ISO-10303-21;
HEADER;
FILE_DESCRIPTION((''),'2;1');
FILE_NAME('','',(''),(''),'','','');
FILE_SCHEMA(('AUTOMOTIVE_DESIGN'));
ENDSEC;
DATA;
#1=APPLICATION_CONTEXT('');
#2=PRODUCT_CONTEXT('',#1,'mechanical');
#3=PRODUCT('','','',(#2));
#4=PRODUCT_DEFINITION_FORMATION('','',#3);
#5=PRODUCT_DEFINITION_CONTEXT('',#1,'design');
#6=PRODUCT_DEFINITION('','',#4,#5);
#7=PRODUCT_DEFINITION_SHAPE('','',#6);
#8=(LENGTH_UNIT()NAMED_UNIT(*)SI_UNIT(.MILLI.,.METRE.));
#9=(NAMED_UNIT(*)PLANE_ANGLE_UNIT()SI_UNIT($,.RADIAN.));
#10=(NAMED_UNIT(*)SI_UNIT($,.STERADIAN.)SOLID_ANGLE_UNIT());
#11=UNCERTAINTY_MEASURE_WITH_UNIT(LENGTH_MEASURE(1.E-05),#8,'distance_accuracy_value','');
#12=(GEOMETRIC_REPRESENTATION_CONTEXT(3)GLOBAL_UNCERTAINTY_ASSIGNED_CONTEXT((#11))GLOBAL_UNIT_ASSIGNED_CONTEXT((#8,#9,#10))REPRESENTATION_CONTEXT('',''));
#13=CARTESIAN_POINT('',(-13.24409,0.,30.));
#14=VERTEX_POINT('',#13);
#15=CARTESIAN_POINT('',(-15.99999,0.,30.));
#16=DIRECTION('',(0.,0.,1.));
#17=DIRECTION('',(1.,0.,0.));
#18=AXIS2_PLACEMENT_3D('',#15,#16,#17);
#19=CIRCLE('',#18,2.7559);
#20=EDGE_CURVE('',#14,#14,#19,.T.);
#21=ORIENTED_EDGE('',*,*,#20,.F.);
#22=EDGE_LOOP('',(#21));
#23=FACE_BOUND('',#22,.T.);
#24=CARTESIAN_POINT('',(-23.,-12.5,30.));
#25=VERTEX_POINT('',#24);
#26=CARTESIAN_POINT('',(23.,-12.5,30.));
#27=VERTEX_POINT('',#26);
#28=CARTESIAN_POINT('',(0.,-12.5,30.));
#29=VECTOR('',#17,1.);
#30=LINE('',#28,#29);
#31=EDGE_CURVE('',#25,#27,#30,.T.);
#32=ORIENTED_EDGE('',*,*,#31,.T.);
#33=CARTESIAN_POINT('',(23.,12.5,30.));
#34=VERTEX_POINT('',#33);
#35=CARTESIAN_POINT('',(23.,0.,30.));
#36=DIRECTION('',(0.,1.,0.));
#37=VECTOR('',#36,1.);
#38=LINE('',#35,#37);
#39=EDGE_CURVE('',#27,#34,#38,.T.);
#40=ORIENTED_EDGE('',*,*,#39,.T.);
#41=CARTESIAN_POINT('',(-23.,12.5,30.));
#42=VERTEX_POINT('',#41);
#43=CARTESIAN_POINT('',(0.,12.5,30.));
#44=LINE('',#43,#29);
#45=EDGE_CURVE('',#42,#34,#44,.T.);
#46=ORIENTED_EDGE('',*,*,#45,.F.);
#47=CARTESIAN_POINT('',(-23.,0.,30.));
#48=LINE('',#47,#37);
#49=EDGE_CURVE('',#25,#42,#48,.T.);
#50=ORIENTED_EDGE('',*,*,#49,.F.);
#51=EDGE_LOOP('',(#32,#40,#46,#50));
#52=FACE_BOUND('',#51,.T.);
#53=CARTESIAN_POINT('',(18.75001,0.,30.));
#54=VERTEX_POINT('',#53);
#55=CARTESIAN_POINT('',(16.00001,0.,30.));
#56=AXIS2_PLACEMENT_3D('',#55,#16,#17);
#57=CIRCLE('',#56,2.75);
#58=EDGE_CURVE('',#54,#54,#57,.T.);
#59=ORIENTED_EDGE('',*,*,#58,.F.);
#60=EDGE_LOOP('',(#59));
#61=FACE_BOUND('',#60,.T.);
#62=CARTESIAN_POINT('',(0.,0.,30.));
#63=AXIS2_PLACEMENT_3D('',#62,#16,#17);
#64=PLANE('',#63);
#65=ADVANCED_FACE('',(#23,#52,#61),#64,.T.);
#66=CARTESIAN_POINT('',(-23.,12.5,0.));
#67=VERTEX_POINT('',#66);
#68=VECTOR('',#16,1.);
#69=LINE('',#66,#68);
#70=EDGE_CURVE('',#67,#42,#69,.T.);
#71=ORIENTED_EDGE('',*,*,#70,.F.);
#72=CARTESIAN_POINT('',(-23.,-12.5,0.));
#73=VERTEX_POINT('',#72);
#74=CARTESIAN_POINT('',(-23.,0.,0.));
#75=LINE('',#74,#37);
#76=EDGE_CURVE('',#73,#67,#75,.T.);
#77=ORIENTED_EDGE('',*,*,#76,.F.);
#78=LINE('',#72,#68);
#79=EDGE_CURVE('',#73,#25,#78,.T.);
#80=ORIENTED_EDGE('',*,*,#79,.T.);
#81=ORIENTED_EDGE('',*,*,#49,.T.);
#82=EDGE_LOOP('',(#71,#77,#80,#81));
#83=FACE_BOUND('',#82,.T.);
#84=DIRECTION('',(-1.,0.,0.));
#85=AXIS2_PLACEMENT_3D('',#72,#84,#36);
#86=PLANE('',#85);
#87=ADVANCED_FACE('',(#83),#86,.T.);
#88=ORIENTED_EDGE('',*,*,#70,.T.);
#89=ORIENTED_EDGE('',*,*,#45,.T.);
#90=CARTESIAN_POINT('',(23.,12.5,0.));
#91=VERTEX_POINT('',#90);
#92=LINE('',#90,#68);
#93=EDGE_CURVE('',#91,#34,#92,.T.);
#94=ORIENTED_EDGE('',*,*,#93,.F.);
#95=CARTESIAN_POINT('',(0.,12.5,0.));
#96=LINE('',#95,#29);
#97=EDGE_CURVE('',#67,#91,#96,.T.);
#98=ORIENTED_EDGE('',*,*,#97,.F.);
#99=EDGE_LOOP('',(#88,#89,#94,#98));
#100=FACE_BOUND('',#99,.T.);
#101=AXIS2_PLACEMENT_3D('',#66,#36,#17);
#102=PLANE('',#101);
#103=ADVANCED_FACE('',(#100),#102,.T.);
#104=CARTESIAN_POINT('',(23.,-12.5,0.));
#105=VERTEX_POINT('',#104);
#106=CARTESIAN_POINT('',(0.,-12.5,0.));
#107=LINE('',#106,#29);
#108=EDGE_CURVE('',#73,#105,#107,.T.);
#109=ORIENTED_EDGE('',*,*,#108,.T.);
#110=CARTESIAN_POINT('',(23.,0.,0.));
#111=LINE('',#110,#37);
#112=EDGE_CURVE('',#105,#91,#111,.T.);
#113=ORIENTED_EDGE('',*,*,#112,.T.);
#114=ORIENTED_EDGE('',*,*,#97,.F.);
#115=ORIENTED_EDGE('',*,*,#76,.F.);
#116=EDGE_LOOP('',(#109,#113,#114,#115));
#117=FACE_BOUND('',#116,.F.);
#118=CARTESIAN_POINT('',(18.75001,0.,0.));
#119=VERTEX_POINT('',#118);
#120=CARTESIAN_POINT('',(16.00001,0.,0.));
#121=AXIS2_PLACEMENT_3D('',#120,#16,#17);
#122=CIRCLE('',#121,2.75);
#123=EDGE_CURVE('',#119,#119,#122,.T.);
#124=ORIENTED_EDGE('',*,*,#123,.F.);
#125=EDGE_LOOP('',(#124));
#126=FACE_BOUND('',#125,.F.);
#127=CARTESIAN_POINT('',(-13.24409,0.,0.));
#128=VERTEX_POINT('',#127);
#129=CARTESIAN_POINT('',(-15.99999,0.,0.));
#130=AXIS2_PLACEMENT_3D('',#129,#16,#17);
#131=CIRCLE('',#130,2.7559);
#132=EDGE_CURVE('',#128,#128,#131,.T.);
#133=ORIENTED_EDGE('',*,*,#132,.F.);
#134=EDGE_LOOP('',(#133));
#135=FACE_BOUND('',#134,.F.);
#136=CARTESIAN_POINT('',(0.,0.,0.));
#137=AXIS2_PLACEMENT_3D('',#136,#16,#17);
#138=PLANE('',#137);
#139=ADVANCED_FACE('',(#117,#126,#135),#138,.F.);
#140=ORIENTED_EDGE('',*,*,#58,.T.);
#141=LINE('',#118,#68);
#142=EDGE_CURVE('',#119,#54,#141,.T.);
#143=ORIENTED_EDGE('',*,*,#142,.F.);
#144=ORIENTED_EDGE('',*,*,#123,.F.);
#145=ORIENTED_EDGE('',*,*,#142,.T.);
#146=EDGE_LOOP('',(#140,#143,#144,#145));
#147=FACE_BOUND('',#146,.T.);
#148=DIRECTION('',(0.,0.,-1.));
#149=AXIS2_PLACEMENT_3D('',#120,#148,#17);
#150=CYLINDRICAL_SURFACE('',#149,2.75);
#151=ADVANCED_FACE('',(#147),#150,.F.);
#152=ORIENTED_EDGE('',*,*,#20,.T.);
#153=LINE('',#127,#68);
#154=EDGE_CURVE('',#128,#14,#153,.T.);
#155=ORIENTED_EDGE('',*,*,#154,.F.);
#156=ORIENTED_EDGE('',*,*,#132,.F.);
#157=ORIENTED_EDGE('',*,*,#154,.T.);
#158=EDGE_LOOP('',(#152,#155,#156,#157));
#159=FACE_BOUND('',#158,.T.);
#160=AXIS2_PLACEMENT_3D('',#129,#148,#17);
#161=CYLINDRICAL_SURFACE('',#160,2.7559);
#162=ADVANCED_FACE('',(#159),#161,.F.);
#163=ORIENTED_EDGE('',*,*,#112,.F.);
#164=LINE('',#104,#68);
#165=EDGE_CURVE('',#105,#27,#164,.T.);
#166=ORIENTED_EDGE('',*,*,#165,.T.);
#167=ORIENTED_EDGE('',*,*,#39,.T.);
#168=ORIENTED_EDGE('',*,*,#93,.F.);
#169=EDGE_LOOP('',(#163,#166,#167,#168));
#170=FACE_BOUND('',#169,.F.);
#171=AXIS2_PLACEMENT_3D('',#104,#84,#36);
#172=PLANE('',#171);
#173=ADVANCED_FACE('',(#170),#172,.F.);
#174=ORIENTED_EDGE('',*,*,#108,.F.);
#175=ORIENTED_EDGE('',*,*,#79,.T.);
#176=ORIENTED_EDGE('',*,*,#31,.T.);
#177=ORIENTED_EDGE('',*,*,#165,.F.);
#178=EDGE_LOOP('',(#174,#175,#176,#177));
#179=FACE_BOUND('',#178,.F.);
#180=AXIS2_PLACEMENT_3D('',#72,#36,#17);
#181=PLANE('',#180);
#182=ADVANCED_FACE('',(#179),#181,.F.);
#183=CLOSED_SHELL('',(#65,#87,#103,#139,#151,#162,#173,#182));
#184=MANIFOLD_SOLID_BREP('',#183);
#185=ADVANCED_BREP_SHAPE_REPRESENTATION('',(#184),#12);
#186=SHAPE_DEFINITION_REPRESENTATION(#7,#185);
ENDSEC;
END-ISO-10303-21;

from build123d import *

# Parameters (mm, degrees)
F0_W     = 46
F0_H     = 25
F0_R     = 2.7559
F0_R_2   = 2.75
F1_DEPTH = 30


with BuildPart() as f1:
    # F0 (on Top) → F1 (new body)
    with BuildSketch(Plane.XY):
        Rectangle(F0_W, F0_H)
        with Locations((-15.99999, 0)):
            Circle(F0_R, mode=Mode.SUBTRACT)
        with Locations((16.00001, 0)):
            Circle(F0_R_2, mode=Mode.SUBTRACT)
    extrude(amount=F1_DEPTH)


solid = f1.part
